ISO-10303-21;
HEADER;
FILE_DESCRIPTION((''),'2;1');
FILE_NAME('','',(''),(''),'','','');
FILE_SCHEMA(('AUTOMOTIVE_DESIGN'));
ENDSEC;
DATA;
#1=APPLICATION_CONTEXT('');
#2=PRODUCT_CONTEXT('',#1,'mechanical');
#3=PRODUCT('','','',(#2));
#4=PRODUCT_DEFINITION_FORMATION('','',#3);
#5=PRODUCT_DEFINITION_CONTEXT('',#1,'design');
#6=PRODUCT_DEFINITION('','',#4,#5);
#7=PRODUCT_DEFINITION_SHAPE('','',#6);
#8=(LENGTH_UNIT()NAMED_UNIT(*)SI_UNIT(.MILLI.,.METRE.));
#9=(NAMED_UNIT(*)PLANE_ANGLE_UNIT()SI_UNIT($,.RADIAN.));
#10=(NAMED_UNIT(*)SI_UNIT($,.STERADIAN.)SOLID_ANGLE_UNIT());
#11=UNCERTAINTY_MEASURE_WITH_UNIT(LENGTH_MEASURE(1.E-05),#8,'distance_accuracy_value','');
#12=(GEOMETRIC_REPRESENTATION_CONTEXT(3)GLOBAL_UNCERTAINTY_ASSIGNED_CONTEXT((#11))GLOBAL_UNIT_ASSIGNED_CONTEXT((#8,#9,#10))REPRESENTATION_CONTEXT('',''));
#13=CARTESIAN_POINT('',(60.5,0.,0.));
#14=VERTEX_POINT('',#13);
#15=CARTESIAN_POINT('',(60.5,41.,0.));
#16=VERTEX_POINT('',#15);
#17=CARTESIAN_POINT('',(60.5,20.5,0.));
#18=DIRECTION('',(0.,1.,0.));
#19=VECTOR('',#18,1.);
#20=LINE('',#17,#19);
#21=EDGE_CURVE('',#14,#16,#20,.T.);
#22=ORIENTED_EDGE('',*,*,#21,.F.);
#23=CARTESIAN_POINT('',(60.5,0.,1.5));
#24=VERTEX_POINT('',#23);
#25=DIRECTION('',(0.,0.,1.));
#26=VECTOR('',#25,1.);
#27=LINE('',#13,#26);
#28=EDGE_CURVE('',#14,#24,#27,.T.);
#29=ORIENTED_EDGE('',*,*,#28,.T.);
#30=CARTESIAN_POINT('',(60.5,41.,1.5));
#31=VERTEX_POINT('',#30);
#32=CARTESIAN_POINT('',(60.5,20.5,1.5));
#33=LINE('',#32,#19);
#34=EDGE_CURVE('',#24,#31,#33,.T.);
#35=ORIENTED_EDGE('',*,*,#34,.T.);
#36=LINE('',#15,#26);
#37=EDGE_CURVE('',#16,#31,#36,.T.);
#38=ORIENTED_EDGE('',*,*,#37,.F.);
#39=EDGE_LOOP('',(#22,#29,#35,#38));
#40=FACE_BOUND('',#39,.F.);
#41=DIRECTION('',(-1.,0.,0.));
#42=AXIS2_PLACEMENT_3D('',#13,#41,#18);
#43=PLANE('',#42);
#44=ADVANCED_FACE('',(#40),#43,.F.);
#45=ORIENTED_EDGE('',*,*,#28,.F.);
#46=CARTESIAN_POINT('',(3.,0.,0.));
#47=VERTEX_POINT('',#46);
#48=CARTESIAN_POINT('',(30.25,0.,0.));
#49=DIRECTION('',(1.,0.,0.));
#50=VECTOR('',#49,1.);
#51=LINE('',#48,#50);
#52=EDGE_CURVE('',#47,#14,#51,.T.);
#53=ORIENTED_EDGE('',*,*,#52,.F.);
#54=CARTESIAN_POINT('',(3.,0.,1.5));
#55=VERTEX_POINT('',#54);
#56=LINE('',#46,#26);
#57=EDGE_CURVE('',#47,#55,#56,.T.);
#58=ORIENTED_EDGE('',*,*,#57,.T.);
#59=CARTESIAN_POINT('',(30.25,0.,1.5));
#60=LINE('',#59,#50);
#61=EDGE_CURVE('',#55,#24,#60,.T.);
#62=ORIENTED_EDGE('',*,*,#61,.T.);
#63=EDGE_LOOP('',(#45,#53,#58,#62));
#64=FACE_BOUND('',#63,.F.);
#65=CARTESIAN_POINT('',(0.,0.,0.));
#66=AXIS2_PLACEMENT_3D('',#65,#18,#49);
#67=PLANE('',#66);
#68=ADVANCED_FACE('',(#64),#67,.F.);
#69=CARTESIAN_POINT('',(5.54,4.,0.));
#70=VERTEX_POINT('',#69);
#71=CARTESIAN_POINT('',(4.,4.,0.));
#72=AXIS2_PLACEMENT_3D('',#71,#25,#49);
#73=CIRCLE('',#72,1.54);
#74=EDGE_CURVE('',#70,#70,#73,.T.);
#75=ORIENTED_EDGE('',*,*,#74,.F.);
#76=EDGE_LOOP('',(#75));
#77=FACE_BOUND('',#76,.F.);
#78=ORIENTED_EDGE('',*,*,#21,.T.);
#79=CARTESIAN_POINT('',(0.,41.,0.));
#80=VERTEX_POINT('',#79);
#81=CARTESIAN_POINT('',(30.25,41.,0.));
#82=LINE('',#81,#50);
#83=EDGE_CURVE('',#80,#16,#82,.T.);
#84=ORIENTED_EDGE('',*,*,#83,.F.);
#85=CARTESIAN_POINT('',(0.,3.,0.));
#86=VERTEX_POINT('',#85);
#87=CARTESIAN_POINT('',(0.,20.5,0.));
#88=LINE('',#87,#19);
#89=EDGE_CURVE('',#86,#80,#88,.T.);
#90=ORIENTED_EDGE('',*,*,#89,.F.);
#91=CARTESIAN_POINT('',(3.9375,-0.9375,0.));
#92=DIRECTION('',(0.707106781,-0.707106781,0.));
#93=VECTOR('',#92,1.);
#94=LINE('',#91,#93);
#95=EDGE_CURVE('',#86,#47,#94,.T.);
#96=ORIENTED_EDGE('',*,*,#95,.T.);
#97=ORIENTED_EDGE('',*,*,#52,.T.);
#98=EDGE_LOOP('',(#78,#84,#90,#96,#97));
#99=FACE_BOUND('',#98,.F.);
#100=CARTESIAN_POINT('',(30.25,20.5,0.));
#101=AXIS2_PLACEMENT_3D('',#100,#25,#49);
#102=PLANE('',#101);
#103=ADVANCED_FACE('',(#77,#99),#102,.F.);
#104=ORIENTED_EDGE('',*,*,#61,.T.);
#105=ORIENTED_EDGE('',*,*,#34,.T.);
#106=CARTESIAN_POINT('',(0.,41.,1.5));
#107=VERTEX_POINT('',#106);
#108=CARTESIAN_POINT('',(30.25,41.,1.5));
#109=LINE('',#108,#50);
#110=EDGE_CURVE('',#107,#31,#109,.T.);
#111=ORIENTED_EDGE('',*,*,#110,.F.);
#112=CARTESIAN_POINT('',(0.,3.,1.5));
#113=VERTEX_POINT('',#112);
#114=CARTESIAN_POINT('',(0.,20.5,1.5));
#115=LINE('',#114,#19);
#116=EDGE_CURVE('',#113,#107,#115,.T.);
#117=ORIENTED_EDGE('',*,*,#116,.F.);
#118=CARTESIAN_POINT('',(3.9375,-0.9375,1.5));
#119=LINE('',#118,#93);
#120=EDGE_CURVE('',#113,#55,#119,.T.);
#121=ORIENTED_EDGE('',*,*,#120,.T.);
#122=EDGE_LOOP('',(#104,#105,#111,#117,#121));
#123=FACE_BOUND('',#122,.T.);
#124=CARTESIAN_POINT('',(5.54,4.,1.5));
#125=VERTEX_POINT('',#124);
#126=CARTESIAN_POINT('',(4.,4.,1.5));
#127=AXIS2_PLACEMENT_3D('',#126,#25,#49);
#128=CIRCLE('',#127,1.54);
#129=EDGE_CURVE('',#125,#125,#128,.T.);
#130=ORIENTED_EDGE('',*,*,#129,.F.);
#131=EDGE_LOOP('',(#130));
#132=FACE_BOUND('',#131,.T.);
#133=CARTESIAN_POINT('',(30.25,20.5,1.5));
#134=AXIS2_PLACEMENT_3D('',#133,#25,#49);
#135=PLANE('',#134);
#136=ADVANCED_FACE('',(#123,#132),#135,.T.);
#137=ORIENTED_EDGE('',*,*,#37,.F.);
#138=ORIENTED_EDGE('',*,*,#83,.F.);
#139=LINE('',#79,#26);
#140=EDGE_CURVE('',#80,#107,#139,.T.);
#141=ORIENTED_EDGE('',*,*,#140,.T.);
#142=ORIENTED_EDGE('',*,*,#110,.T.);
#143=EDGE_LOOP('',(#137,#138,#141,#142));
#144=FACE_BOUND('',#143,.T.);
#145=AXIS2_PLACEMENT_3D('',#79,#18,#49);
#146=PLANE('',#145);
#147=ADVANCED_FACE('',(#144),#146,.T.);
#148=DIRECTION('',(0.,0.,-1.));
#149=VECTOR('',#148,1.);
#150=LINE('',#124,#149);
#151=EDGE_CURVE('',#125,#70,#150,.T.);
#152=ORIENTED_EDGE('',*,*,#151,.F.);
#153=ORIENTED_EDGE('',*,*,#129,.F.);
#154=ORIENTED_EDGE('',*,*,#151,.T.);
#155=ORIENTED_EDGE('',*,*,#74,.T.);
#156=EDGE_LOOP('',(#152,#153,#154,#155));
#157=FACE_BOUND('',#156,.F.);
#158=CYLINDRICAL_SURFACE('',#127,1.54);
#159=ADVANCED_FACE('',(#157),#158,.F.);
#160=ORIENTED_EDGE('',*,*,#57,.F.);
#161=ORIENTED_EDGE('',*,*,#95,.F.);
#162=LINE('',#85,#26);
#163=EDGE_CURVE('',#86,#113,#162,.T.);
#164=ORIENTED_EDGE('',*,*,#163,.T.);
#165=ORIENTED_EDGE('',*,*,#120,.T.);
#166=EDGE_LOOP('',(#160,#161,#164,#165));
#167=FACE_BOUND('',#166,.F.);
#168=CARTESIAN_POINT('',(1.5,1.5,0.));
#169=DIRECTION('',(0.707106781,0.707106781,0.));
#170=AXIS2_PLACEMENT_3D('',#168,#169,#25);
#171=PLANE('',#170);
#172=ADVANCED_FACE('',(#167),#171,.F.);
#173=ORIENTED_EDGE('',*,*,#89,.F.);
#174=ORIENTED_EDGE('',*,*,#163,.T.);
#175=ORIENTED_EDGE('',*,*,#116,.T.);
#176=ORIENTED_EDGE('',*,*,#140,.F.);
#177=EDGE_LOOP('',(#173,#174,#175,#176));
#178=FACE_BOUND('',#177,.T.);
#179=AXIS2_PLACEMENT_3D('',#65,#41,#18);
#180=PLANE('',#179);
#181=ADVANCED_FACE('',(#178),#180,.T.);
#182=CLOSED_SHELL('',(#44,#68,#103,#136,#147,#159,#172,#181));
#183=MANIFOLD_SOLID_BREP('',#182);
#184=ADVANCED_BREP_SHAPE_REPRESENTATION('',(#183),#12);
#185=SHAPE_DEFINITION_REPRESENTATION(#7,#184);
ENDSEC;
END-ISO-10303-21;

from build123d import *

# Parameters (mm, degrees)
F0_W     = 60.5
F0_H     = 41
F1_DEPTH = 1.5
F2_SIZE  = 3
F3_R     = 1.54
F4_DEPTH = 1.5


with BuildPart() as f1:
    # F0 (on Top) → F1 (new body)
    with BuildSketch(Plane.XY):
        with Locations((30.25, 20.5)):
            Rectangle(F0_W, F0_H)
    extrude(amount=F1_DEPTH)

    # F2
    f2_edges = [f1.edges().sort_by_distance(p)[0] for p in [
        (0, 0, 0.75),
    ]]
    chamfer(f2_edges, length=F2_SIZE)

    # F3 (on face) → F4 (cut, through all)
    with BuildSketch(Plane.XY.offset(1.5)):
        with Locations((4, 4)):
            Circle(F3_R)
    extrude(amount=-F4_DEPTH, mode=Mode.SUBTRACT)


solid = f1.part
